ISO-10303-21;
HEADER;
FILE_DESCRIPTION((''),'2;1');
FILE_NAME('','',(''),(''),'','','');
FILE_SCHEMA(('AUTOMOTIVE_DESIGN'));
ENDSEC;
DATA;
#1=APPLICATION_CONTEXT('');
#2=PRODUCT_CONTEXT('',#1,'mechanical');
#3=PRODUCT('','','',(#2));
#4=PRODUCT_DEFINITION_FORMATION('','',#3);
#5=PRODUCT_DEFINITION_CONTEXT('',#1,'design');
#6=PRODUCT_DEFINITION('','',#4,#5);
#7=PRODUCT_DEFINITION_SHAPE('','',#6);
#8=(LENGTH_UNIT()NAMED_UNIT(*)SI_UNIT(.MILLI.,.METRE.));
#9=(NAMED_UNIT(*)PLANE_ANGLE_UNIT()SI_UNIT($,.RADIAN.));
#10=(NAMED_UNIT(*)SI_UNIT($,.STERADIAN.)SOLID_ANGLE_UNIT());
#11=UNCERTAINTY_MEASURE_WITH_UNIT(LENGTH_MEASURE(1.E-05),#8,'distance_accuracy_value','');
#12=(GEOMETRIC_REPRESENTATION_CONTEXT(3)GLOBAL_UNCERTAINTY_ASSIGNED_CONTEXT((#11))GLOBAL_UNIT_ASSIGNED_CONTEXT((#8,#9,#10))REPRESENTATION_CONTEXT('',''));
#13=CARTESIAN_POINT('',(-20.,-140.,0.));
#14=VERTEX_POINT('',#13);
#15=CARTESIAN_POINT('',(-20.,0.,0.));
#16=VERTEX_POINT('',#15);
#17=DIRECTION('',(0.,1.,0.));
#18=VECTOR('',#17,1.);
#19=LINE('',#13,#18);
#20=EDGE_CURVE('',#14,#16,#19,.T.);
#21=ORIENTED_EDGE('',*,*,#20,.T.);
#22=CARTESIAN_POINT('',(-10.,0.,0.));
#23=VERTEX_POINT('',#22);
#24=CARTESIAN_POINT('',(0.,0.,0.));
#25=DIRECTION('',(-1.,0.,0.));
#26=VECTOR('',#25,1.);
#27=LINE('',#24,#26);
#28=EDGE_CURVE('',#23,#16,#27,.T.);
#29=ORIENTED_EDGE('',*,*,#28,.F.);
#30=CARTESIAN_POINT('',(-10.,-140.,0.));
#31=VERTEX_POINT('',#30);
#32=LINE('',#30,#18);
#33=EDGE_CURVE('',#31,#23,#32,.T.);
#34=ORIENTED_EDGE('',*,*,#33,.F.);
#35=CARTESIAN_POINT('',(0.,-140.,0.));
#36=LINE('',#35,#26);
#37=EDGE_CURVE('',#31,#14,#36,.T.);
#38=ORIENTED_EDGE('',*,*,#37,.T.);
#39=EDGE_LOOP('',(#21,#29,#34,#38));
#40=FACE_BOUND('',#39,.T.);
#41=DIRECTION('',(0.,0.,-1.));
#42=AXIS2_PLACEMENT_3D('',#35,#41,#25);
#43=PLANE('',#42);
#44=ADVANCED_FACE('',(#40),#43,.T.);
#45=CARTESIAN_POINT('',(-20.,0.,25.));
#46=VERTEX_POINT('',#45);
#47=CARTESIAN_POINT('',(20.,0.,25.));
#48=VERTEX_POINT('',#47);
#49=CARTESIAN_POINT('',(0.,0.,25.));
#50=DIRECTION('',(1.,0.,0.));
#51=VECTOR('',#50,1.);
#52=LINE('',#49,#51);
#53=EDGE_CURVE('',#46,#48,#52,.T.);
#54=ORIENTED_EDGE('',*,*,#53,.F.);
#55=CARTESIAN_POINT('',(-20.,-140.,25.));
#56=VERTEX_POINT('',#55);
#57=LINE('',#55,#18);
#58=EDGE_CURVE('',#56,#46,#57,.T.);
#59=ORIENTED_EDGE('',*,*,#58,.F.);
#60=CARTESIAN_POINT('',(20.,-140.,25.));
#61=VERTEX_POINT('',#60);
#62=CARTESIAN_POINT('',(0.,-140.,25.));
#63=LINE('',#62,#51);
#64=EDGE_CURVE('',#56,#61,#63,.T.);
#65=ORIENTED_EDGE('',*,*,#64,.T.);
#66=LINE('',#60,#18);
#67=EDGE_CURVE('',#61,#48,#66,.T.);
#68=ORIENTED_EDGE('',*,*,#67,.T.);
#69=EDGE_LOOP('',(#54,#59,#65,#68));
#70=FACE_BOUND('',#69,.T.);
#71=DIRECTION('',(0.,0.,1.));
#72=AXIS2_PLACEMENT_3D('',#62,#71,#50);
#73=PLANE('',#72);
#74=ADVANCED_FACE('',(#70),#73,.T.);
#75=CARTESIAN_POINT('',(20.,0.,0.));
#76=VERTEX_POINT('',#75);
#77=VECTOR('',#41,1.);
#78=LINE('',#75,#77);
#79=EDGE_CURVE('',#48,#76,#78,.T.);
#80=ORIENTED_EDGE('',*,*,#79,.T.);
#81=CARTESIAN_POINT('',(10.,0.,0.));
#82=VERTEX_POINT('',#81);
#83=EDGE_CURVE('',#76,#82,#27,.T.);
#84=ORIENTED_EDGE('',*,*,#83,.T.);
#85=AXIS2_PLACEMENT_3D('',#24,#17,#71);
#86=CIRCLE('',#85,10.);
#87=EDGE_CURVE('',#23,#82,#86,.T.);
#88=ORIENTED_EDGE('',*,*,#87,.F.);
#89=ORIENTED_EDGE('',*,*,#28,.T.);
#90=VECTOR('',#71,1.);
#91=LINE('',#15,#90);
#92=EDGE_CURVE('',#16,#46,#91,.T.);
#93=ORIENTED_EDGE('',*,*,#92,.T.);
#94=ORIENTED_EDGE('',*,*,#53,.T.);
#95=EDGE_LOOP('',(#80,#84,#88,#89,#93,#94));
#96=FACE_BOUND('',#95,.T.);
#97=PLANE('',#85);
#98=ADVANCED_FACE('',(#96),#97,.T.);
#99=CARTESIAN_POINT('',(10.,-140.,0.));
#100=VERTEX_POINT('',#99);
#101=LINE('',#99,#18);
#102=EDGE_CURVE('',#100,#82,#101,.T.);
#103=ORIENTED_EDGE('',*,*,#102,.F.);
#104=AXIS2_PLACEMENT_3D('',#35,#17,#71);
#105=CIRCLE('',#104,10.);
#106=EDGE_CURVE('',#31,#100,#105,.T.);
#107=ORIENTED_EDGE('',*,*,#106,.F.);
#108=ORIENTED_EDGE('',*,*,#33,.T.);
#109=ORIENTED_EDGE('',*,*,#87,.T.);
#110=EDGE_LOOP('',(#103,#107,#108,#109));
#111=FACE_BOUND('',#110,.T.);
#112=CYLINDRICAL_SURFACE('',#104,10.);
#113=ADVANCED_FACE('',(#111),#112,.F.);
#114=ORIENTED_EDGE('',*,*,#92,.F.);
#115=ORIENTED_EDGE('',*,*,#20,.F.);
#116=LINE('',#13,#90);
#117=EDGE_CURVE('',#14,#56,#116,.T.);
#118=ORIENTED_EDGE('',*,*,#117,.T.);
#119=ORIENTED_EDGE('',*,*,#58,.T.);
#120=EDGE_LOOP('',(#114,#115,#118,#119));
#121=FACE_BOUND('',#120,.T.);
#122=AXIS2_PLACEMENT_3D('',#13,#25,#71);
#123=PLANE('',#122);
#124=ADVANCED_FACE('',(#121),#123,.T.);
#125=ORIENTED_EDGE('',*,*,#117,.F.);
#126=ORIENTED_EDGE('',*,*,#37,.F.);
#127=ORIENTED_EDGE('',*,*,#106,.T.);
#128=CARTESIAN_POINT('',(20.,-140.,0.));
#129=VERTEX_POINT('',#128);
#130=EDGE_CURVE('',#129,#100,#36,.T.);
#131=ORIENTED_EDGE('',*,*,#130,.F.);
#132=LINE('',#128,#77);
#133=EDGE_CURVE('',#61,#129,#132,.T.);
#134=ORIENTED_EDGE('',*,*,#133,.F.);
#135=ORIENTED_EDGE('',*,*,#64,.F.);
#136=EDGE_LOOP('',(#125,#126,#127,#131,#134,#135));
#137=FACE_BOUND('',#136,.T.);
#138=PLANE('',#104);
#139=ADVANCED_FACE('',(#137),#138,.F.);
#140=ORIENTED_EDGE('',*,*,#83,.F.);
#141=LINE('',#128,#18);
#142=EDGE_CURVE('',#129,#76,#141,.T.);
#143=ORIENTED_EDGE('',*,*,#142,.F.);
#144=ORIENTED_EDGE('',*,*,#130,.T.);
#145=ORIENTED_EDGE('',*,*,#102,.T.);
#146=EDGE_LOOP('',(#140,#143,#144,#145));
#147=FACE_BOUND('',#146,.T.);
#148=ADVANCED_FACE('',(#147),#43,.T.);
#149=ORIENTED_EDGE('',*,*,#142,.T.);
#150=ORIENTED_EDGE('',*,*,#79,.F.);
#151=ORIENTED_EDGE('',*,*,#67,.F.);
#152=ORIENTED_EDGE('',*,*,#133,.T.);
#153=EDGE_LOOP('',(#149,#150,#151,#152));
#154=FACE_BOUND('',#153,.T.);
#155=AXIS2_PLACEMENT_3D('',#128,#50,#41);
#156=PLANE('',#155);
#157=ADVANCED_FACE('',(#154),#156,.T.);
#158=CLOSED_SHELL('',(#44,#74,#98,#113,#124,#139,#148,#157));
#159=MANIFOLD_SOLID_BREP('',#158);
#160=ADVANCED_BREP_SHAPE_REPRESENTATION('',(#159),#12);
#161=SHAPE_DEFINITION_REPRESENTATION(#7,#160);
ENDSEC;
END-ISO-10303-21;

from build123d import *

# Parameters (mm, degrees)
BOSS_EXTRUDE1_DEPTH = 140


with BuildPart() as part:
    # Sketch4 → Boss-Extrude1 (new body)
    with BuildSketch(Plane(origin=(0, 0, 0), x_dir=(1, 0, 0), z_dir=(0, 1, 0))):
        with BuildLine():
            ThreePointArc((10, 0), (0, -10), (-10, 0))
            Line((-10, 0), (-20, 0))
            Line((-20, 0), (-20, -25))
            Line((-20, -25), (20, -25))
            Line((20, -25), (20, 0))
            Line((20, 0), (10, 0))
        make_face()
    extrude(amount=-BOSS_EXTRUDE1_DEPTH)


solid = part.part
